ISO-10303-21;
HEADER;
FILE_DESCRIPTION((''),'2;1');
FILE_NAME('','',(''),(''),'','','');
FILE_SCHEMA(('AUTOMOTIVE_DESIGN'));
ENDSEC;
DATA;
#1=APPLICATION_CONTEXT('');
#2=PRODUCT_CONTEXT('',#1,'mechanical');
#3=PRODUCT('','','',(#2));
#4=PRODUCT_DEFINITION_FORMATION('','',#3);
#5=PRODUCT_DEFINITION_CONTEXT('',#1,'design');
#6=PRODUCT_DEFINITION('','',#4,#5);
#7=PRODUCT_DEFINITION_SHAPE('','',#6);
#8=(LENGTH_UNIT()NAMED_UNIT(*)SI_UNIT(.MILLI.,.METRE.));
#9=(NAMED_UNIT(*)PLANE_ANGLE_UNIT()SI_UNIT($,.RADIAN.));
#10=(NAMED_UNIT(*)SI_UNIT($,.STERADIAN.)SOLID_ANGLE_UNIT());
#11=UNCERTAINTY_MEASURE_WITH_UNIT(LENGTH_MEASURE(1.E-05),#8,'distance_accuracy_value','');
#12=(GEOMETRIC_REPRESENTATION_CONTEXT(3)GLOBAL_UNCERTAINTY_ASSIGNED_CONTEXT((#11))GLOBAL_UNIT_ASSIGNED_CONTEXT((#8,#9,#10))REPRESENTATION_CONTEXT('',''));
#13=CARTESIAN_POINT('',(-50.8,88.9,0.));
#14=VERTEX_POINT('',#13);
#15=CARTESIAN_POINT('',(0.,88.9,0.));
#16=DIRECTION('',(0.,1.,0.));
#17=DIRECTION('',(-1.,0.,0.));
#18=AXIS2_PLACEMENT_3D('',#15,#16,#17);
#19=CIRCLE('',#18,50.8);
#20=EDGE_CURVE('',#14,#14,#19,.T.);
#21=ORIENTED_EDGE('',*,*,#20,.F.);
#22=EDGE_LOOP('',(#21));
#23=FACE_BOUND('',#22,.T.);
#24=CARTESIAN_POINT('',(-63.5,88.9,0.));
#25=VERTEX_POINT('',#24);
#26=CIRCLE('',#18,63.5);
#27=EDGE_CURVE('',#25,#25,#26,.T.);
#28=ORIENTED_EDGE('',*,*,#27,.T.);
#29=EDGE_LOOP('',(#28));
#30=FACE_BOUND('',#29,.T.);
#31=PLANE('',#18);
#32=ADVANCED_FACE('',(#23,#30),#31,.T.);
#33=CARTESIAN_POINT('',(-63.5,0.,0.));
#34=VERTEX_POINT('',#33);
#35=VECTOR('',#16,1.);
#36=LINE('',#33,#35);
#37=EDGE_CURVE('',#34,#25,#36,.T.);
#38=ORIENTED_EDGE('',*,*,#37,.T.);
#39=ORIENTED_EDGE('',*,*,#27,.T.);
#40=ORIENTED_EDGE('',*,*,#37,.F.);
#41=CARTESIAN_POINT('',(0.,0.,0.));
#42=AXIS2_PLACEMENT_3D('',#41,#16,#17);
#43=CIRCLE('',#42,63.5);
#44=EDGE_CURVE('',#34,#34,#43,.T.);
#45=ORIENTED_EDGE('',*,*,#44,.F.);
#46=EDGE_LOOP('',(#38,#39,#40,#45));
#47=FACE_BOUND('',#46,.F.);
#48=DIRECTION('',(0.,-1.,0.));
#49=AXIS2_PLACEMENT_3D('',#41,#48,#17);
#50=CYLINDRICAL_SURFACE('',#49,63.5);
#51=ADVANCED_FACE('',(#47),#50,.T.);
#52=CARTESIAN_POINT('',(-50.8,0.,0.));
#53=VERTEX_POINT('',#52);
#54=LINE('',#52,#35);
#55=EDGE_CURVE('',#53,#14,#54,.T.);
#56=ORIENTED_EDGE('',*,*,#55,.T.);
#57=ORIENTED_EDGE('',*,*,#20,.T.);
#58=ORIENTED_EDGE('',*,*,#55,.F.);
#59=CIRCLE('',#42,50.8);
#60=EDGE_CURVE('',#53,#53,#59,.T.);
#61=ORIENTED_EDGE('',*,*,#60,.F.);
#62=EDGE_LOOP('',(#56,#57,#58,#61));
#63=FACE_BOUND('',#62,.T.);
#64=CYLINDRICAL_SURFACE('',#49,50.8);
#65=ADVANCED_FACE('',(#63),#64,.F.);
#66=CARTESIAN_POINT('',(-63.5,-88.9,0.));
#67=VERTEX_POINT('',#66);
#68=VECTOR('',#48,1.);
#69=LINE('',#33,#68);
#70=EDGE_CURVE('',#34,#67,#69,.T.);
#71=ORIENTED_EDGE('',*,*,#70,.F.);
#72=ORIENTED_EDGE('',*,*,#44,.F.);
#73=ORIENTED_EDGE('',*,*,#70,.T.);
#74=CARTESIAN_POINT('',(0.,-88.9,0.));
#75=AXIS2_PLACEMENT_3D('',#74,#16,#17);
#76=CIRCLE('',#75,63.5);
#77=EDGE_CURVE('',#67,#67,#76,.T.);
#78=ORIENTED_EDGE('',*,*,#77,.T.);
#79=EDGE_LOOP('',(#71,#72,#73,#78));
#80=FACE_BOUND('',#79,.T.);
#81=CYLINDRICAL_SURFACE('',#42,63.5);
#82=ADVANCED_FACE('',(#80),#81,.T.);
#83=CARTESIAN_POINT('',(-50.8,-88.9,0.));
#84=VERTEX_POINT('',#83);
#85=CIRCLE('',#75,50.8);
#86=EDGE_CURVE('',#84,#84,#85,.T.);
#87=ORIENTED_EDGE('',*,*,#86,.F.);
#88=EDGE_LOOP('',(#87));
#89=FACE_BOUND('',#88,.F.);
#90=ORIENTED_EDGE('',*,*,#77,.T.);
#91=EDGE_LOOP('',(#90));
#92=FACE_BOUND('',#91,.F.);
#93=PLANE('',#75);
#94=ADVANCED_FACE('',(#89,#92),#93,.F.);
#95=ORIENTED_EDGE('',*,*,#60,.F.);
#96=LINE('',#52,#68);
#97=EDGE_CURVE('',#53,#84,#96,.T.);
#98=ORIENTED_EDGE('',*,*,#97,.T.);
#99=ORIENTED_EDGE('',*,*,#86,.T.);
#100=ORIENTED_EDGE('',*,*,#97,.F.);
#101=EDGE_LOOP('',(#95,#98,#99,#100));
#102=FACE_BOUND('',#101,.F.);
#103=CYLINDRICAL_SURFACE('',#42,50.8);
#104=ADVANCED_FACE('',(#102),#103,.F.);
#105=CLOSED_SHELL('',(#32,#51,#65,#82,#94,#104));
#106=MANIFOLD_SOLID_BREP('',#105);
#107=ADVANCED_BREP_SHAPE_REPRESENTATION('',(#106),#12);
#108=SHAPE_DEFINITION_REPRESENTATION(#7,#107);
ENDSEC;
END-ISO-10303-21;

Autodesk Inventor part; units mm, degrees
ref_plane "YZ Plane" through (0, 0, 0) normal (1, 0, 0) x (0, 1, 0)
ref_plane "XZ Plane" through (0, 0, 0) normal (0, 1, 0) x (-1, 0, 0)
ref_plane "XY Plane" through (0, 0, 0) normal (0, 0, 1) x (1, 0, 0)
sketch "Sketch1" plane through (0, 0, 0) normal (0, 1, 0) x (-1, 0, 0)
  circle A0 centre (0, 0) radius 50.8
  circle A1 centre (0, 0) radius 63.5
  dimension "d0" = 101.6
  dimension "sleeve_thick" = 12.7
extrude "Extrusion1" add sketch "Sketch1" along normal mid plane 177.8
equation "\"d0\" = bore_dia"
equation "\"bore_dia\" = 101.6"
properties part number "Sleeve"
